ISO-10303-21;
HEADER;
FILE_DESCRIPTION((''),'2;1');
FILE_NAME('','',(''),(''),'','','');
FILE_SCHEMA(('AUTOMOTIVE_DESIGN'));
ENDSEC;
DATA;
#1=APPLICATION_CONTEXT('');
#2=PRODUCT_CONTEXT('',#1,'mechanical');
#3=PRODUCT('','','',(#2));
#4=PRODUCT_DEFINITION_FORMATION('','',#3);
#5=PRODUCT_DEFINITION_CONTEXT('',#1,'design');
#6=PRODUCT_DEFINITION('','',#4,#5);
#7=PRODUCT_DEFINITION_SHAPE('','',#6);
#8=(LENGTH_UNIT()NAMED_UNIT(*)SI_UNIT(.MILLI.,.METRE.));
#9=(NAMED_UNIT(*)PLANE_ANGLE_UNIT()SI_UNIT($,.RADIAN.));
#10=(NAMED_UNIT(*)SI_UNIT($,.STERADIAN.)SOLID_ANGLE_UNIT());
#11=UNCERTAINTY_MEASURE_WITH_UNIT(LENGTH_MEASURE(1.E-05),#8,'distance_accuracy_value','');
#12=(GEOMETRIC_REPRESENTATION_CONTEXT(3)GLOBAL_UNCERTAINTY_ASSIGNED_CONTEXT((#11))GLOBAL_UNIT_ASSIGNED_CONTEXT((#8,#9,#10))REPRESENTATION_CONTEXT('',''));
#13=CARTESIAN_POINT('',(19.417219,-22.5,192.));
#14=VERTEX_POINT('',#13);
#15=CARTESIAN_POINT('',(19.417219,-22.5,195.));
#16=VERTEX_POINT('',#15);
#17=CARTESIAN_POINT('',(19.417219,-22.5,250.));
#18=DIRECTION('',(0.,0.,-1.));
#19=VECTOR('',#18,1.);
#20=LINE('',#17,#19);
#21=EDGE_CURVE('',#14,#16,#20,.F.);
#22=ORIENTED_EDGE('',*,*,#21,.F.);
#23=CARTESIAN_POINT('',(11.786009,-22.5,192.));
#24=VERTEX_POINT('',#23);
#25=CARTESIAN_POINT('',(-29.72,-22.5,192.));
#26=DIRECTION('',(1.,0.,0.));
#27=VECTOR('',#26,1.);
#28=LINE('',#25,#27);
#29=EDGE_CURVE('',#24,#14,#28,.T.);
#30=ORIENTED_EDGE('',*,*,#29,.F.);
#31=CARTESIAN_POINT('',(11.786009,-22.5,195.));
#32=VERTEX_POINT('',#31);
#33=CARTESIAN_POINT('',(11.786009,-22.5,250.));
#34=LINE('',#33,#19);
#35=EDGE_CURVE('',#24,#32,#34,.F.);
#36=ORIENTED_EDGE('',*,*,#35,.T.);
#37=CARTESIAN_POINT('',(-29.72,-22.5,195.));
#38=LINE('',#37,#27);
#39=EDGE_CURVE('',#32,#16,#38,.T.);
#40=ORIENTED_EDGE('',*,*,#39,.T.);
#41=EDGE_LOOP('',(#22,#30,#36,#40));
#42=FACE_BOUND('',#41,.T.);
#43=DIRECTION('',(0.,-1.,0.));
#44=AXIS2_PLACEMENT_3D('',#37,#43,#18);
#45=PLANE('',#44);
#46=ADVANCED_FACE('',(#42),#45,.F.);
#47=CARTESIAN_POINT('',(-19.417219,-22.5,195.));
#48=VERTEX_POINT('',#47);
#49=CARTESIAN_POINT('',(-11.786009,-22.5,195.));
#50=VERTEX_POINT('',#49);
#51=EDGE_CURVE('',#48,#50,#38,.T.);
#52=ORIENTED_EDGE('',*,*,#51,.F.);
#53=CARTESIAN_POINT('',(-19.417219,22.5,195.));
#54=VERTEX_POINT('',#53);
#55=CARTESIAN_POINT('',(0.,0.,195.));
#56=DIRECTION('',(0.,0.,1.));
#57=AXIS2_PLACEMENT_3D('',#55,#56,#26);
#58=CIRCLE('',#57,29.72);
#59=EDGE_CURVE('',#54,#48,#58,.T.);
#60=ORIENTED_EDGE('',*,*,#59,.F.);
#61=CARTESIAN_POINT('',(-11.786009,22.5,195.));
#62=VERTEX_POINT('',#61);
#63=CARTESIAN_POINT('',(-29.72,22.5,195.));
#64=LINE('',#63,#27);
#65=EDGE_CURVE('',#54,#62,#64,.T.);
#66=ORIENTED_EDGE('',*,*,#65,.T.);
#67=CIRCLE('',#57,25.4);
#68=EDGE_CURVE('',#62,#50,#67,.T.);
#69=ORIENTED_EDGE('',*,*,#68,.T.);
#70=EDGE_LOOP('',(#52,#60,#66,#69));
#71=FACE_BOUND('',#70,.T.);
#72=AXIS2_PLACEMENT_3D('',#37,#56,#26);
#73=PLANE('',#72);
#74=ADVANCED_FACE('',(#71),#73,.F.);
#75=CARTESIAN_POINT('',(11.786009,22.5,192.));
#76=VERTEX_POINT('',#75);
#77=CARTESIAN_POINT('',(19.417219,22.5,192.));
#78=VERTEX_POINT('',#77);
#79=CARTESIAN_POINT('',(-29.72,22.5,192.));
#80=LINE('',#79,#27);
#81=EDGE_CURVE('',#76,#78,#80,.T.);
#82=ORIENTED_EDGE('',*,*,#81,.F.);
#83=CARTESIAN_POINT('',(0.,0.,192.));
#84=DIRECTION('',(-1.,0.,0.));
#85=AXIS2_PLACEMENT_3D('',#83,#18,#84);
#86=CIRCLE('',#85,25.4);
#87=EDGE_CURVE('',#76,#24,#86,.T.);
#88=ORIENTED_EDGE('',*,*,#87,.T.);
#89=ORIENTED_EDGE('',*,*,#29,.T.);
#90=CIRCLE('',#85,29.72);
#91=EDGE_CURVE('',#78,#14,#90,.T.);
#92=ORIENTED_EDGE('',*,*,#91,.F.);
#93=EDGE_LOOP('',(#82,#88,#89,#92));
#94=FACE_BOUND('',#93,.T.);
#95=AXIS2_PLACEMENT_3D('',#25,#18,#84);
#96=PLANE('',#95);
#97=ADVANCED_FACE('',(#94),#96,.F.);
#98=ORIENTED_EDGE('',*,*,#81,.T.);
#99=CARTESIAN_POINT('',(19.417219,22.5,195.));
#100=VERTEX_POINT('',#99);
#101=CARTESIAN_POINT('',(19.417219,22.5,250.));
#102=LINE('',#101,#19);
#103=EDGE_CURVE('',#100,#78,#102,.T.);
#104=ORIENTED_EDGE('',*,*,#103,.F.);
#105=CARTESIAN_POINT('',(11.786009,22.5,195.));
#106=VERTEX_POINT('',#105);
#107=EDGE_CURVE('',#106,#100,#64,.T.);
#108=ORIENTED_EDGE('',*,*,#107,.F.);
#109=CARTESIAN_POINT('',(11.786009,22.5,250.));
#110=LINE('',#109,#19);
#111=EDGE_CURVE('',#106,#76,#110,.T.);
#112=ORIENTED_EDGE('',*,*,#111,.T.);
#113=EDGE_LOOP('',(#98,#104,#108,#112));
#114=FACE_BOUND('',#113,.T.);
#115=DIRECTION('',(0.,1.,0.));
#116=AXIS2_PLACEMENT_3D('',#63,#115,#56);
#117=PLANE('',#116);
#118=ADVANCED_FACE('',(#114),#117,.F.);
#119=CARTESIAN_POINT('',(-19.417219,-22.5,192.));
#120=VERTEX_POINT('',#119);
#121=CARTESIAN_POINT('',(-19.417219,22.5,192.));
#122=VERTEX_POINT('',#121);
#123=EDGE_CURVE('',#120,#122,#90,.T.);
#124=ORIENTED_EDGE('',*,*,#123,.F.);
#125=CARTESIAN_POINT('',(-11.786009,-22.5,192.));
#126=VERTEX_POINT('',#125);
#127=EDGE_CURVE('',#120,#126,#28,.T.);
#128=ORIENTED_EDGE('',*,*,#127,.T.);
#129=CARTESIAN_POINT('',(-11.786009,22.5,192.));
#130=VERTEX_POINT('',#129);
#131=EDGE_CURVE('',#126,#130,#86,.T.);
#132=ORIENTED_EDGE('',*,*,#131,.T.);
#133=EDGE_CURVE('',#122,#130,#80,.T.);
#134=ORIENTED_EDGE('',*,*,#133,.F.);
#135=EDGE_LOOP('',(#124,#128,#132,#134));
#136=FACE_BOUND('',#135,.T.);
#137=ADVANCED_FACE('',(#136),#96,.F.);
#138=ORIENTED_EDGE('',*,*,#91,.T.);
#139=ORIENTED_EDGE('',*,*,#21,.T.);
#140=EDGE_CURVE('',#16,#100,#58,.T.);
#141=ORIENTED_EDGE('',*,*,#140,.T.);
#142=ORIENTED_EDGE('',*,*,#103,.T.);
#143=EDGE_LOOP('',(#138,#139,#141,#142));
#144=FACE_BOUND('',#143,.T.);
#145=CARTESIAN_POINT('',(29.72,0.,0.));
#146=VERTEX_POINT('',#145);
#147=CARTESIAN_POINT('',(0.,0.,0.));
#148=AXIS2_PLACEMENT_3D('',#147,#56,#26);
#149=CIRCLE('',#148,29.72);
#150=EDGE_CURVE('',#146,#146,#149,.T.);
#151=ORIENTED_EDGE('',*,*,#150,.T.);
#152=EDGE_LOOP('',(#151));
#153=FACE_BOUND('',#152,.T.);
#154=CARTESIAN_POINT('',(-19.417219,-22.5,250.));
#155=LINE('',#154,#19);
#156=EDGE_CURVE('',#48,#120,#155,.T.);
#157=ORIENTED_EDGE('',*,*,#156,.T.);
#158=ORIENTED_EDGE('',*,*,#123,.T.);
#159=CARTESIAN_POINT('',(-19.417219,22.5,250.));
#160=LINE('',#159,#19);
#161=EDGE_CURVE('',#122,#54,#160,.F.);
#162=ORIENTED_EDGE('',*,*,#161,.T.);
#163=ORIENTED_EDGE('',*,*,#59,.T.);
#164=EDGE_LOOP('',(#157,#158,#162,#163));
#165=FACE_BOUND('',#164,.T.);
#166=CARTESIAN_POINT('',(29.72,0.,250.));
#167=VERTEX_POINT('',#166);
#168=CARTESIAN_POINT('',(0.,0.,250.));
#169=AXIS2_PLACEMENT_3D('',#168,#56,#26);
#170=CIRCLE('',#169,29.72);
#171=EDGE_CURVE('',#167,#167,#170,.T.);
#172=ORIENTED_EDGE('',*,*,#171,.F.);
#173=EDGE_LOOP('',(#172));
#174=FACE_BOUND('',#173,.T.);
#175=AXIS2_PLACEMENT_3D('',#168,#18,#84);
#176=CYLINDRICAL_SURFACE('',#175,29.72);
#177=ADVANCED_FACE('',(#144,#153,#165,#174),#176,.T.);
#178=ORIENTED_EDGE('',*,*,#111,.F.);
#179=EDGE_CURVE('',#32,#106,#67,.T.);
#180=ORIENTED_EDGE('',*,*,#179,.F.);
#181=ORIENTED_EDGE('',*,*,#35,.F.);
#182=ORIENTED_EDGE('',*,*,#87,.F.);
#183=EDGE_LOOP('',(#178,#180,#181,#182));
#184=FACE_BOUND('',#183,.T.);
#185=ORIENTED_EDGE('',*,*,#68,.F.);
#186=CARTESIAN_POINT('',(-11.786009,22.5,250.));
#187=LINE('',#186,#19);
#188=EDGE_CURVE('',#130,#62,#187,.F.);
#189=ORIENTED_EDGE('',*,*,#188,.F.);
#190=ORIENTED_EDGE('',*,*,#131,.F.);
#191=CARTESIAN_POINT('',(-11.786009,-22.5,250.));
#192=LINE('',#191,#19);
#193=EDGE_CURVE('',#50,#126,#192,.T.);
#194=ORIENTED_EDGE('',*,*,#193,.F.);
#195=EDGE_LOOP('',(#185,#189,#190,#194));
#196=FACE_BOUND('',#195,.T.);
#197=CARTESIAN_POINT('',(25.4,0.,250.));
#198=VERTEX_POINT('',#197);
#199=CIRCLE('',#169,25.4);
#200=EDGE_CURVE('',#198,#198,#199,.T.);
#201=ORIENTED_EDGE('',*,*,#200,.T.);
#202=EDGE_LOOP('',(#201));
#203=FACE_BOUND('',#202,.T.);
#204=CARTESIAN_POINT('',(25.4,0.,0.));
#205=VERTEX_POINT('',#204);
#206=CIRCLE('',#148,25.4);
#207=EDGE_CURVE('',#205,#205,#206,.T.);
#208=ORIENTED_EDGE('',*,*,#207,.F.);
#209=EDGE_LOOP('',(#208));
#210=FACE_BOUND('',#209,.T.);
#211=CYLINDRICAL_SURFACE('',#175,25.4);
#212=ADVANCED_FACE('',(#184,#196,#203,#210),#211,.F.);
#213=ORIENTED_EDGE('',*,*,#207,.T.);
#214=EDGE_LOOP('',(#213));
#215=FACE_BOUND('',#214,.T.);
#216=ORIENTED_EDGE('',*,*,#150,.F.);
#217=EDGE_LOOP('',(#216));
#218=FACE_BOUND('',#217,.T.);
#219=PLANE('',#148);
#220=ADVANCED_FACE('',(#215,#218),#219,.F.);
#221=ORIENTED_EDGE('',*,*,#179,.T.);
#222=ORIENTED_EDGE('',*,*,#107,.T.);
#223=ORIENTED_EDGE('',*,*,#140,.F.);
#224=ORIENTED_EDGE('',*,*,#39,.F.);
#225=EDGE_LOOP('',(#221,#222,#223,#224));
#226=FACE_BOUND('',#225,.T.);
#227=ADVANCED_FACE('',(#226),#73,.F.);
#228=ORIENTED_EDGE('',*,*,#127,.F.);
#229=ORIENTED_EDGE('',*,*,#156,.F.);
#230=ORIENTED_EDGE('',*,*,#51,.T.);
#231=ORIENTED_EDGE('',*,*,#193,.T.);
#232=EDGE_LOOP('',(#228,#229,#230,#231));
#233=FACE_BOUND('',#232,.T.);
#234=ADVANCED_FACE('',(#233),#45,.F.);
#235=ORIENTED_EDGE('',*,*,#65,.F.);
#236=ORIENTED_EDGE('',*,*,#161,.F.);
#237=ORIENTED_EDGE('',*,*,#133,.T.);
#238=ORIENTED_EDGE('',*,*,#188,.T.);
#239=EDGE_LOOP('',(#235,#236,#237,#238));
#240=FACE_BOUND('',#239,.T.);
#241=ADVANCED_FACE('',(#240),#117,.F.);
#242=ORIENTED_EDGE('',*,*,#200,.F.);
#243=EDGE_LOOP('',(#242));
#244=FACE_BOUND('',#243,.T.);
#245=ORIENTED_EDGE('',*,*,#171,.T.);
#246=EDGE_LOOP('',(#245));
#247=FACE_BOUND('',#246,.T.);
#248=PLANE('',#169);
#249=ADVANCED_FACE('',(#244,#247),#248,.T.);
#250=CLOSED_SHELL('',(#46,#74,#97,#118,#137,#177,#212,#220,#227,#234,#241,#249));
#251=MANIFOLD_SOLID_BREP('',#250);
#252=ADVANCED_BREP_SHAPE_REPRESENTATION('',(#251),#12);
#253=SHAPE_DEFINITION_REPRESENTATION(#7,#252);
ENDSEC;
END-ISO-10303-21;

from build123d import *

# Parameters (mm, degrees)
CROQUIS1_R                 = 29.72
CROQUIS1_R_2               = 25.4
SALIENTE_EXTRUIR1_DEPTH    = 250
CORTAR_EXTRUIR1_DEPTH      = 254.508494532
CORTAR_EXTRUIR1_DEPTH_BACK = 254.508494532
CROQUIS2_W                 = 3
CROQUIS2_H                 = 45


with BuildPart() as part:
    # Croquis1 → Saliente-Extruir1 (new body)
    with BuildSketch(Plane.XY):
        Circle(CROQUIS1_R)
        Circle(CROQUIS1_R_2, mode=Mode.SUBTRACT)
    extrude(amount=SALIENTE_EXTRUIR1_DEPTH)

    # Croquis2 → Cortar-Extruir1 (cut, two sides: drawn at the far end of the back side and taken through both)
    with BuildSketch(Plane(origin=(0, 0, 0), x_dir=(0, 0, -1), z_dir=(1, 0, 0)).offset(-CORTAR_EXTRUIR1_DEPTH_BACK)):
        with Locations((-193.5, 0)):
            Rectangle(CROQUIS2_W, CROQUIS2_H)
    extrude(amount=CORTAR_EXTRUIR1_DEPTH + CORTAR_EXTRUIR1_DEPTH_BACK, mode=Mode.SUBTRACT)


solid = part.part
